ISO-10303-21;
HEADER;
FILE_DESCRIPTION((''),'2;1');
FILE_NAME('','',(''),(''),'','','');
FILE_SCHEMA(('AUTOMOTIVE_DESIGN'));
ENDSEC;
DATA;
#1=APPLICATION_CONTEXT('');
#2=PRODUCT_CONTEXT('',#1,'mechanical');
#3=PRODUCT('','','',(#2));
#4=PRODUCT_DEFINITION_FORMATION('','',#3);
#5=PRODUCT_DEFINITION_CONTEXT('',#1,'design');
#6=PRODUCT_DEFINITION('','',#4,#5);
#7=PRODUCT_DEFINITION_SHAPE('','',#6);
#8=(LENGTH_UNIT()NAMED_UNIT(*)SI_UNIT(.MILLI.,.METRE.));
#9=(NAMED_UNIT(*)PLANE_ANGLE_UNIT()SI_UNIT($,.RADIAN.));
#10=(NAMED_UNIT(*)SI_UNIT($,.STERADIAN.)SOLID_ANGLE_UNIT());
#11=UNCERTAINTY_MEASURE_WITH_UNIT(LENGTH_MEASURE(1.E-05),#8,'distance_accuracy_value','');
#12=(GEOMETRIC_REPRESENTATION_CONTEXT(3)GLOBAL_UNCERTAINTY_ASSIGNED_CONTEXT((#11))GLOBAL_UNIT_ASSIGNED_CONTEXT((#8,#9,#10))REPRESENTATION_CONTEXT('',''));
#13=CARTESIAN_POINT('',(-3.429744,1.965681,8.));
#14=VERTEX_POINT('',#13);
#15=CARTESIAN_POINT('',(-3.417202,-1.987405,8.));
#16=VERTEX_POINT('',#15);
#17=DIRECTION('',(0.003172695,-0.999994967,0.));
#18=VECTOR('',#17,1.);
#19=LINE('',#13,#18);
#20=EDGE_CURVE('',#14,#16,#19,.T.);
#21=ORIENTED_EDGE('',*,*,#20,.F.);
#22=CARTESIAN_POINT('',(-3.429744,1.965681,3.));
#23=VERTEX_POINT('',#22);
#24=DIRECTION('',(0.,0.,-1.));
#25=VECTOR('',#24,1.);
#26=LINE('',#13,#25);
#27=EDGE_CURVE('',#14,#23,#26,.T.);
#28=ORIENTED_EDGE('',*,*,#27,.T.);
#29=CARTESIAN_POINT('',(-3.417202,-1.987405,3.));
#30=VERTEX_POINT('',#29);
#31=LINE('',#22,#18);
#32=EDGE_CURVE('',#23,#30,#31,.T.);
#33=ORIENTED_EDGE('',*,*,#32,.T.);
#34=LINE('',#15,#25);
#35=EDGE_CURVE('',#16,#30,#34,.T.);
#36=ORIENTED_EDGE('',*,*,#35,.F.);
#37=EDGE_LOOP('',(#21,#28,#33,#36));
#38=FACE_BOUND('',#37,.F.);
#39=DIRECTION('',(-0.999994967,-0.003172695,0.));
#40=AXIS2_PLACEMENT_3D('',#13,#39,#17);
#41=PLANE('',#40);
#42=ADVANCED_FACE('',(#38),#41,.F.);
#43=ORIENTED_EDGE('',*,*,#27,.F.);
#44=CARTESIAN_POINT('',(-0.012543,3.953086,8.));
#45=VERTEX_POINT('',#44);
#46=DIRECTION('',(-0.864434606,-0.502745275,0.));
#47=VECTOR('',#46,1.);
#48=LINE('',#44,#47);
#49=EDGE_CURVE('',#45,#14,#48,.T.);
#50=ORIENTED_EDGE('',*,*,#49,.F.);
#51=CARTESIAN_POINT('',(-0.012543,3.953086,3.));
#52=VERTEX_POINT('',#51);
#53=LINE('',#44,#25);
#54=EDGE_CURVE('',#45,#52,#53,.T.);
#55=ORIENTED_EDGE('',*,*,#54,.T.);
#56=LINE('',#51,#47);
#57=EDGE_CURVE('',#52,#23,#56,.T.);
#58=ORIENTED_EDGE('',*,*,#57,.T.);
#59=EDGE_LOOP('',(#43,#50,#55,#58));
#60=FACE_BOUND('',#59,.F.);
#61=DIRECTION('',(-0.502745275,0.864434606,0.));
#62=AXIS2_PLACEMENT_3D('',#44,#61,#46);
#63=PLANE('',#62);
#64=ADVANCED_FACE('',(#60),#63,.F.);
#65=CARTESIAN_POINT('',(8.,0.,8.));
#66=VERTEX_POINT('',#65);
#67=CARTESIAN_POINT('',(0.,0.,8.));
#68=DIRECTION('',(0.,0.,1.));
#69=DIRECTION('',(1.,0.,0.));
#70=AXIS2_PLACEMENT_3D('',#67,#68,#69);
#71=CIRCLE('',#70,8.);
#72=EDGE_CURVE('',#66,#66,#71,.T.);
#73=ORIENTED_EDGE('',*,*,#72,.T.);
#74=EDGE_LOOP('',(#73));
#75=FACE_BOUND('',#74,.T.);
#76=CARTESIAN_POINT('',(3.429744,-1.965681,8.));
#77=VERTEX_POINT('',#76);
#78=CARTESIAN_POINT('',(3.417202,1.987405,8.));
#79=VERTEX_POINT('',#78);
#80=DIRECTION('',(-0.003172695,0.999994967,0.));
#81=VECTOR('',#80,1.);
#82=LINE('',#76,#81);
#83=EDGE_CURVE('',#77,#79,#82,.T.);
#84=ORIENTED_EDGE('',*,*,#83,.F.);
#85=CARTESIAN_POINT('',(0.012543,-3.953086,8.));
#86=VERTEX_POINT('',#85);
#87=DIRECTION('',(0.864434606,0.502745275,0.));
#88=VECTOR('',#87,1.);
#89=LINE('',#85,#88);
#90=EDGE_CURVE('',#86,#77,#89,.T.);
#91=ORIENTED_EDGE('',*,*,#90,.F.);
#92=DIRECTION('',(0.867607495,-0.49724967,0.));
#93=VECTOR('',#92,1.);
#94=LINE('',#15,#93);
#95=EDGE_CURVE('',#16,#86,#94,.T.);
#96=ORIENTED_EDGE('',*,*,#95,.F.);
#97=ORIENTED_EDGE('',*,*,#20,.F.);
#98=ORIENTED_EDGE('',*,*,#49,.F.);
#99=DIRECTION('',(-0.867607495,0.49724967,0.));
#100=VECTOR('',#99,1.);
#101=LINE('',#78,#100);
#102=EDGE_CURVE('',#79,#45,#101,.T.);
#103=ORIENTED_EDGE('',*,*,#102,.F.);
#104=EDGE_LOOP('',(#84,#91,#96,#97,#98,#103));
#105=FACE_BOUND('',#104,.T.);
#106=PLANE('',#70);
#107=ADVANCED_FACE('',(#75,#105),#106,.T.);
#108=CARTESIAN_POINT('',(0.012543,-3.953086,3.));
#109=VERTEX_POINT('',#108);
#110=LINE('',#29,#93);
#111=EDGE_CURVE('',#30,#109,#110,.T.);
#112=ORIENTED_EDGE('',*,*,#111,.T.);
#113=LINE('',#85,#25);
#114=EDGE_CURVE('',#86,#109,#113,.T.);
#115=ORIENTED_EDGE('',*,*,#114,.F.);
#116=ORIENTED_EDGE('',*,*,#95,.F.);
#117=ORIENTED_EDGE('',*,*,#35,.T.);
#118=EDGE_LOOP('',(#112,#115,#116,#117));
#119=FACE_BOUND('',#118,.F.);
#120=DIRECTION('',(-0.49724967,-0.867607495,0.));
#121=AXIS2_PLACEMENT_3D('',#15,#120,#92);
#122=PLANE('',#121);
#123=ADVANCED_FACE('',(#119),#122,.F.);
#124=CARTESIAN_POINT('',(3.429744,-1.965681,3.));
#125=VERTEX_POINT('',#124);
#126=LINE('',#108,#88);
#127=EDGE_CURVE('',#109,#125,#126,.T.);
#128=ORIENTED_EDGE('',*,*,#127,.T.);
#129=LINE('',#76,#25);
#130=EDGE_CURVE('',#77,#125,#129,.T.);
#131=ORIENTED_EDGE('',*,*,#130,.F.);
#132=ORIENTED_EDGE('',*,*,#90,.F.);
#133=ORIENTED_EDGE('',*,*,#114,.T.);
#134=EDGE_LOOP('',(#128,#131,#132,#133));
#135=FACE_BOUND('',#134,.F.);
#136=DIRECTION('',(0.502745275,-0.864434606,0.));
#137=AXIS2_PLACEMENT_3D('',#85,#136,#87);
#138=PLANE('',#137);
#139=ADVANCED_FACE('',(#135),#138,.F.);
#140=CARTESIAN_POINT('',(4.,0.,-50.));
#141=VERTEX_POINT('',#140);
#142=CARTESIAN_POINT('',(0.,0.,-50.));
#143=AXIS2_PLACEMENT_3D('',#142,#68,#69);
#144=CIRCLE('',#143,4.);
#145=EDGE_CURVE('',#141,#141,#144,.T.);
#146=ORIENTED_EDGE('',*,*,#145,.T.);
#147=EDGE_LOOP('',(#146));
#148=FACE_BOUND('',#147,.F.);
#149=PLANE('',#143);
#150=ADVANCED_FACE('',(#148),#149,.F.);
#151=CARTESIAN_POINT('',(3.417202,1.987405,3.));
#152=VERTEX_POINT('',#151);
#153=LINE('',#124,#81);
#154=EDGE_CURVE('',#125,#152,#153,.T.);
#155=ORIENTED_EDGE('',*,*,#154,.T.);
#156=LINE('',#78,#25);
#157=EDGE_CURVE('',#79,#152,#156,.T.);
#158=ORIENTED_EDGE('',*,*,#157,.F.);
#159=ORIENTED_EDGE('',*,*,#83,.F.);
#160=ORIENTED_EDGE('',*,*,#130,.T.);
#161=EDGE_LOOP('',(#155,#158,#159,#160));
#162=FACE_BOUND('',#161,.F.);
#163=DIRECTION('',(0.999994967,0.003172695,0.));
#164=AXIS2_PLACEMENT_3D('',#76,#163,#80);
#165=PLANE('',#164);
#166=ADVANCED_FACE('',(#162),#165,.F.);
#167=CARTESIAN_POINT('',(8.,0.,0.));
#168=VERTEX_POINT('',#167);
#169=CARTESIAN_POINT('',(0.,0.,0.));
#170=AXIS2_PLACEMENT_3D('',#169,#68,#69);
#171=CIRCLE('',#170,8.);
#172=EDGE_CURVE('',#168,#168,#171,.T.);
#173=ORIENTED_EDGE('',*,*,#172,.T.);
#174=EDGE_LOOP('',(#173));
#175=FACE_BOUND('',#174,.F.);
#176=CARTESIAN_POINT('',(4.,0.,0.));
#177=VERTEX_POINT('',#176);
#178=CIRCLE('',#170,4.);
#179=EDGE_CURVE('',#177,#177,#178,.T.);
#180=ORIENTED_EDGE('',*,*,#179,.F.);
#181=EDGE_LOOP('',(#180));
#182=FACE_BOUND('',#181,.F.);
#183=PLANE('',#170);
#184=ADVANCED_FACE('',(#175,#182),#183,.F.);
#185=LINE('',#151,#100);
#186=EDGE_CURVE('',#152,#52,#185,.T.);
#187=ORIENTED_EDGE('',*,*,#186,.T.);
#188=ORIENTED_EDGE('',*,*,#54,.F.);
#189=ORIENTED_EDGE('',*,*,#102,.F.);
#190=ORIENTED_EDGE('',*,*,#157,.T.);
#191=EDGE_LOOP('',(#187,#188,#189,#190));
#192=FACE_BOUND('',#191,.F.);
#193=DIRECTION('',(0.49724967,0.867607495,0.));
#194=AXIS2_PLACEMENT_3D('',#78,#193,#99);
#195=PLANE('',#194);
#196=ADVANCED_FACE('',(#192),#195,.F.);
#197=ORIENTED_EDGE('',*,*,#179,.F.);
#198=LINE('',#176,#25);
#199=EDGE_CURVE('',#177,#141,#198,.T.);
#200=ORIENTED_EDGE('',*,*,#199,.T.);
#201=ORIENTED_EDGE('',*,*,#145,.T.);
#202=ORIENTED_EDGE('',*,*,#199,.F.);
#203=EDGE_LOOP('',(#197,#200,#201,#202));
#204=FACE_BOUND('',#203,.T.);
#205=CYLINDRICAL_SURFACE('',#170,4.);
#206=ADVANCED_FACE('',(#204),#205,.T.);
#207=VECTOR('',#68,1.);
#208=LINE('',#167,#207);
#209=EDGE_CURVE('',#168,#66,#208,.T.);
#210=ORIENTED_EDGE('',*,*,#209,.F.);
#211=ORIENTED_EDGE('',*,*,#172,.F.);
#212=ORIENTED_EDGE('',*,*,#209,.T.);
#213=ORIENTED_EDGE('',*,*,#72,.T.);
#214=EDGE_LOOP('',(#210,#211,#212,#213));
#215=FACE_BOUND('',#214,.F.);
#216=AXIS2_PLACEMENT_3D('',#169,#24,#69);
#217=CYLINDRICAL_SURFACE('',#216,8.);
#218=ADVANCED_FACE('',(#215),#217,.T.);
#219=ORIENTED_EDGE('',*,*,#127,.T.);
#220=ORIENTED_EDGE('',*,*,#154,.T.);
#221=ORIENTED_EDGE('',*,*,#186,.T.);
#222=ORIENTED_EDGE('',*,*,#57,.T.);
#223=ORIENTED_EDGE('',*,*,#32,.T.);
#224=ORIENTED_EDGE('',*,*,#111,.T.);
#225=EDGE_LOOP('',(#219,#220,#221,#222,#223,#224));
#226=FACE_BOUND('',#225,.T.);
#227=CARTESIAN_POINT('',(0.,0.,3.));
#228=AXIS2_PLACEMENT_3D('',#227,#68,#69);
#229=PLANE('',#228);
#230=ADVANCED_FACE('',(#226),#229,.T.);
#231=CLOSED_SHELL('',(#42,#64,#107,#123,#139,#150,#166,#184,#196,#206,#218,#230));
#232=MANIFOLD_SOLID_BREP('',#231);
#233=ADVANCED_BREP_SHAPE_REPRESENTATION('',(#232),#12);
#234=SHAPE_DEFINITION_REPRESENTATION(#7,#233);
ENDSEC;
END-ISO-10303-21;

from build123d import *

# Parameters (mm, degrees)
F0_R     = 4
F1_DEPTH = 50
F0_R_2   = 8
F2_DEPTH = 8
F4_DEPTH = 5


with BuildPart() as f1:
    # F0 (on Top) → F1 (new body)
    with BuildSketch(Plane.XY):
        Circle(F0_R)
    extrude(amount=-F1_DEPTH)

    # F0 (on Top) → F2 (join)
    with BuildSketch(Plane.XY):
        Circle(F0_R_2)
        Circle(F0_R, mode=Mode.SUBTRACT)
        Circle(F0_R)
    extrude(amount=F2_DEPTH)

    # F3 (on face) → F4 (cut)
    with BuildSketch(Plane.XY.offset(8)):
        Polygon((-0.012543, 3.953086), (-3.429744, 1.965681), (-3.417202, -1.987405), (0.012543, -3.953086), (3.429744, -1.965681), (3.417202, 1.987405), align=None)
    extrude(amount=-F4_DEPTH, mode=Mode.SUBTRACT)


solid = f1.part
